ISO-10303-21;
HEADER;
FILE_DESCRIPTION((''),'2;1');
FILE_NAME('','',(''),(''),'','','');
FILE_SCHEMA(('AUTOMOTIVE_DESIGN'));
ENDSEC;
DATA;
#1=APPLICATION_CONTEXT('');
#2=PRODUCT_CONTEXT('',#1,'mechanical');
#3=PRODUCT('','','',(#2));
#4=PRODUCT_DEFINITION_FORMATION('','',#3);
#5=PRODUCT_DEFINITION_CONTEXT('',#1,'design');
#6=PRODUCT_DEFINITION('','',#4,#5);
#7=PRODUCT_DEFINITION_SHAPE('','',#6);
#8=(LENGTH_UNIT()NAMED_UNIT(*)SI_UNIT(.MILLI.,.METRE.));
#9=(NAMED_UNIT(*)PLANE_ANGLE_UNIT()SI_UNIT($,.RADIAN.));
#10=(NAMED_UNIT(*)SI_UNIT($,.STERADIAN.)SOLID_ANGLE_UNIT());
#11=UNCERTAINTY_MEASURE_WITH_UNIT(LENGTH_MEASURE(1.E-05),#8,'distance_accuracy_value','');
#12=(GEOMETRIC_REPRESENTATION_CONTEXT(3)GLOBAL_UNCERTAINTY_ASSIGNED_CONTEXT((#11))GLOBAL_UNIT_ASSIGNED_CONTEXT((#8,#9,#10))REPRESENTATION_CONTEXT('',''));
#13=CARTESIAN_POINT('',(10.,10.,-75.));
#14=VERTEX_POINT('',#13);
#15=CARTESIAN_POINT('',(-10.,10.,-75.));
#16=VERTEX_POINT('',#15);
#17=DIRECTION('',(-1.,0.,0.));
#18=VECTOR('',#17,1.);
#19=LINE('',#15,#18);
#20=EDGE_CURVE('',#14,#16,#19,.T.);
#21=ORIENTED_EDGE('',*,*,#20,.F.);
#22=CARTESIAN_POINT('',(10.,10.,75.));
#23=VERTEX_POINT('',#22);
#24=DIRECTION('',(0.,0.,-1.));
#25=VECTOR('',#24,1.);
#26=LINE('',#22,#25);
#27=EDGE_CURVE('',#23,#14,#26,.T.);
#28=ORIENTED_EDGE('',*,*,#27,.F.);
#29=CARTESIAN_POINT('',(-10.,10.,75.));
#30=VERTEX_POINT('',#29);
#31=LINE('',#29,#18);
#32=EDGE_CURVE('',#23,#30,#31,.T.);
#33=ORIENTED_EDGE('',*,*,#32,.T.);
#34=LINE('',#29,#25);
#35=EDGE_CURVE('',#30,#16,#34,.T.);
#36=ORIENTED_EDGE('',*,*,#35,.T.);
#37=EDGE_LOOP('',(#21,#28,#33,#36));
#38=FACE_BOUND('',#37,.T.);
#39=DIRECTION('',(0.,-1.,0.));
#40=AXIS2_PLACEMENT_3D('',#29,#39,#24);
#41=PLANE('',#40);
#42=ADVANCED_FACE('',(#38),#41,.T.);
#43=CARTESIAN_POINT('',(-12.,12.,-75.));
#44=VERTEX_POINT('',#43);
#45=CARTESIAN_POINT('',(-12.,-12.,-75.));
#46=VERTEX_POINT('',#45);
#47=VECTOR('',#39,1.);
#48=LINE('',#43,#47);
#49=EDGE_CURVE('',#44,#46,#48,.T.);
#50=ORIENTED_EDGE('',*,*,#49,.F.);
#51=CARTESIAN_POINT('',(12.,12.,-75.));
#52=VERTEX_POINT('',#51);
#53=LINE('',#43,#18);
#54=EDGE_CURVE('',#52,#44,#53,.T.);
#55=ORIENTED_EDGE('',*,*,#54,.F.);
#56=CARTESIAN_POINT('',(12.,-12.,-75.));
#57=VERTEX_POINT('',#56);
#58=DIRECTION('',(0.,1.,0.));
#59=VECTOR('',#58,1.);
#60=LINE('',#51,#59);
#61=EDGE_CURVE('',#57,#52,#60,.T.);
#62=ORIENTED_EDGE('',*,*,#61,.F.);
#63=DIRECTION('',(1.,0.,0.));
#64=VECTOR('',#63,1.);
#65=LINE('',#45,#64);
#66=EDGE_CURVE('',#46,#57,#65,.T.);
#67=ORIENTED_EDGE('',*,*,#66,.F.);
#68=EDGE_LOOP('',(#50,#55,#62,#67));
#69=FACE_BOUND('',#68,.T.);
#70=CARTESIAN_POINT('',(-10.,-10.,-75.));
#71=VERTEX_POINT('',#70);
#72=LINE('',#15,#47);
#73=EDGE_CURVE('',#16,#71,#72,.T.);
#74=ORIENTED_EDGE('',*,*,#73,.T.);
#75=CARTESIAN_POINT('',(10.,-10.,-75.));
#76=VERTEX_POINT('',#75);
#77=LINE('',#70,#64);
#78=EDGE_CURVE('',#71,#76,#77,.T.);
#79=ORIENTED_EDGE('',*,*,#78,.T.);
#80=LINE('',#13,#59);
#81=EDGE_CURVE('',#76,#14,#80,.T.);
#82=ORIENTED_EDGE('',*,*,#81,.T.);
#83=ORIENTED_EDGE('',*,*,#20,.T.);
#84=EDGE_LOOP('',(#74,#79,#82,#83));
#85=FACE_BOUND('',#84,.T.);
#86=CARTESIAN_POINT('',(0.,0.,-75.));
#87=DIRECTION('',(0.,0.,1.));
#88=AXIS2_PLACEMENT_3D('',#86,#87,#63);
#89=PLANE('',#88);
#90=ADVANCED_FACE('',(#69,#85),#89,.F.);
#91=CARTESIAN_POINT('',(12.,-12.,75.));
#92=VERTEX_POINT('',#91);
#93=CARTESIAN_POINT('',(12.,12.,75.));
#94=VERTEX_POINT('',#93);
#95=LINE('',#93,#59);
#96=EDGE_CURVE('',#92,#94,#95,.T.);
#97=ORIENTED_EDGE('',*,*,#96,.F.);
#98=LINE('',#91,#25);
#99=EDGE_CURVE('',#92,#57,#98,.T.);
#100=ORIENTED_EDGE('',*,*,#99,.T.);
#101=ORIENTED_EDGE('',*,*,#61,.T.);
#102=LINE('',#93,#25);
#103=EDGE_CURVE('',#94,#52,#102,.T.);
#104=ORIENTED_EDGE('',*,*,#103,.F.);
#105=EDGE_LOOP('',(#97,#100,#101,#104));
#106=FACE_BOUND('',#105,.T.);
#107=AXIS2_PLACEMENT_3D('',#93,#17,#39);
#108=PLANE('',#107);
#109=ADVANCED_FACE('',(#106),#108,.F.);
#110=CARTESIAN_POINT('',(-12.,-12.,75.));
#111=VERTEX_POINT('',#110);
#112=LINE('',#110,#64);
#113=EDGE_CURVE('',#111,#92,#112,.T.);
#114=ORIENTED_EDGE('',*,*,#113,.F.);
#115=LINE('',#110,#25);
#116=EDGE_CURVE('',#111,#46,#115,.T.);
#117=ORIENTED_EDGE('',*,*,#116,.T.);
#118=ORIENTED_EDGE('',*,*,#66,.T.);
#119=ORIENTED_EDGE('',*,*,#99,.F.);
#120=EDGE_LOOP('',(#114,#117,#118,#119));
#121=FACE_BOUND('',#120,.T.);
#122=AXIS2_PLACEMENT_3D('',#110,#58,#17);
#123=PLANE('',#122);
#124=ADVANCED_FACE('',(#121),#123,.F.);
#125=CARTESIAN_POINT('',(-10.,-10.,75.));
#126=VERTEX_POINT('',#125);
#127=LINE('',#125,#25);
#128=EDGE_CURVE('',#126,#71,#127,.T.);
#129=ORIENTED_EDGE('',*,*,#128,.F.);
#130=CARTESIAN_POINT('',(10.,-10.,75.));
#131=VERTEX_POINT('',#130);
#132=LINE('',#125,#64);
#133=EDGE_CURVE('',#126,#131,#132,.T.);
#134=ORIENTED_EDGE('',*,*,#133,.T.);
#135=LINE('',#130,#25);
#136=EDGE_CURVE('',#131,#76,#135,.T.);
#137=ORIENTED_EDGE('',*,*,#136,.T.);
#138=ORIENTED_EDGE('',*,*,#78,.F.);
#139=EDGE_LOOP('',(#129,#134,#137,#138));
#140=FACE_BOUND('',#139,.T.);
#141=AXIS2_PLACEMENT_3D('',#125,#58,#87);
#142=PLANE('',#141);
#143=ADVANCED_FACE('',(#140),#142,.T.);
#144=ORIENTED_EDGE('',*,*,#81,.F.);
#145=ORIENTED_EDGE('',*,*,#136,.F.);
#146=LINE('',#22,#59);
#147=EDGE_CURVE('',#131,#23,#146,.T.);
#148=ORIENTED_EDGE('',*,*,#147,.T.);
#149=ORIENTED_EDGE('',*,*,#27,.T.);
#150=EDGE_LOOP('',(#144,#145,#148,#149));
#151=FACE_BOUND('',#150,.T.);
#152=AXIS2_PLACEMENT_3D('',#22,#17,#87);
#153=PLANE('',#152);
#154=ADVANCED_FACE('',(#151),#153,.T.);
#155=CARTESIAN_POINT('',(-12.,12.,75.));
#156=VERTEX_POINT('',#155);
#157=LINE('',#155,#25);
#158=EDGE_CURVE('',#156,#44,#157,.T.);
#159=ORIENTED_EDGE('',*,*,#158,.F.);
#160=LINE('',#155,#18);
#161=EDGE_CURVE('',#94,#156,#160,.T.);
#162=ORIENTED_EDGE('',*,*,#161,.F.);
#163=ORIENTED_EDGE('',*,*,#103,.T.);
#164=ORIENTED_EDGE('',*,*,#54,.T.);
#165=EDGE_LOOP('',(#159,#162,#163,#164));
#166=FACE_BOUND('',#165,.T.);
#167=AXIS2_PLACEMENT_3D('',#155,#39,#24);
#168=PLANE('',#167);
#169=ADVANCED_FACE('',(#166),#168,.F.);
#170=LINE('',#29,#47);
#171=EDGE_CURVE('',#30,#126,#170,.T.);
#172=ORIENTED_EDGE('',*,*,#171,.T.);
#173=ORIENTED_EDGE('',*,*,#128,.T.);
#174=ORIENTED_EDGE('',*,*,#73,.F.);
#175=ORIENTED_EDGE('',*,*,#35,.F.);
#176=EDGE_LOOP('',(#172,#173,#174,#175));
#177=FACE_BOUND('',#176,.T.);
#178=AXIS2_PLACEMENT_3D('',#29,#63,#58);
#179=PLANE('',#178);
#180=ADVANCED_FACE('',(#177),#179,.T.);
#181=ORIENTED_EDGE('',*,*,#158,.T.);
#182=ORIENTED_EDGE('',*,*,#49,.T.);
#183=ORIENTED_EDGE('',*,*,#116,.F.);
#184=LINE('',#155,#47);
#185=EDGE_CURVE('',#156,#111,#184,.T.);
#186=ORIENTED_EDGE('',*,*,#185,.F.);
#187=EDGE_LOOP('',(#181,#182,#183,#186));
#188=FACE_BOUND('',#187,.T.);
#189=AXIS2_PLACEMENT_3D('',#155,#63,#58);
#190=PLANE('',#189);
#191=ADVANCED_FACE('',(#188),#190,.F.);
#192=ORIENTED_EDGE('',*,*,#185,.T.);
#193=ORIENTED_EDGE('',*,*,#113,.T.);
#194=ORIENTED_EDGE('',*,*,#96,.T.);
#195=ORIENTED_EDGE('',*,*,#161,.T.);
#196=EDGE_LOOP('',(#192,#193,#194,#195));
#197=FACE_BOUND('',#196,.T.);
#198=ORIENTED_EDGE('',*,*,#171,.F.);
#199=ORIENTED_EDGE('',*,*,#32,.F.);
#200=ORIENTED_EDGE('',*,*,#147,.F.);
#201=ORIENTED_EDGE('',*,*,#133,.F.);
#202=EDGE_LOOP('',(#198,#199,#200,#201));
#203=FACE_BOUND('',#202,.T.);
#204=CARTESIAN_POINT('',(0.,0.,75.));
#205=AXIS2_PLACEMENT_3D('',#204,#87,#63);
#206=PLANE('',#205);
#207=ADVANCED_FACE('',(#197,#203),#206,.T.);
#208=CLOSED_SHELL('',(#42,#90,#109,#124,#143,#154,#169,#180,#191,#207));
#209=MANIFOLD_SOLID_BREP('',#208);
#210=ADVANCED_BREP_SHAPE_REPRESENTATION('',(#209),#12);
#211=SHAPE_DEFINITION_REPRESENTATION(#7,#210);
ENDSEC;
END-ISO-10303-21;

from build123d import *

# Parameters (mm, degrees)
SKETCH_1_W      = 24
SKETCH_1_H      = 24
SKETCH_1_W_2    = 20
SKETCH_1_H_2    = 20
EXTRUDE_1_DEPTH = 75


with BuildPart() as part:
    # 草图1 → 凸台-拉伸1 (new, symmetric)
    with BuildSketch(Plane.XY):
        Rectangle(SKETCH_1_W, SKETCH_1_H)
        Rectangle(SKETCH_1_W_2, SKETCH_1_H_2, mode=Mode.SUBTRACT)
    extrude(amount=EXTRUDE_1_DEPTH, both=True)


solid = part.part
